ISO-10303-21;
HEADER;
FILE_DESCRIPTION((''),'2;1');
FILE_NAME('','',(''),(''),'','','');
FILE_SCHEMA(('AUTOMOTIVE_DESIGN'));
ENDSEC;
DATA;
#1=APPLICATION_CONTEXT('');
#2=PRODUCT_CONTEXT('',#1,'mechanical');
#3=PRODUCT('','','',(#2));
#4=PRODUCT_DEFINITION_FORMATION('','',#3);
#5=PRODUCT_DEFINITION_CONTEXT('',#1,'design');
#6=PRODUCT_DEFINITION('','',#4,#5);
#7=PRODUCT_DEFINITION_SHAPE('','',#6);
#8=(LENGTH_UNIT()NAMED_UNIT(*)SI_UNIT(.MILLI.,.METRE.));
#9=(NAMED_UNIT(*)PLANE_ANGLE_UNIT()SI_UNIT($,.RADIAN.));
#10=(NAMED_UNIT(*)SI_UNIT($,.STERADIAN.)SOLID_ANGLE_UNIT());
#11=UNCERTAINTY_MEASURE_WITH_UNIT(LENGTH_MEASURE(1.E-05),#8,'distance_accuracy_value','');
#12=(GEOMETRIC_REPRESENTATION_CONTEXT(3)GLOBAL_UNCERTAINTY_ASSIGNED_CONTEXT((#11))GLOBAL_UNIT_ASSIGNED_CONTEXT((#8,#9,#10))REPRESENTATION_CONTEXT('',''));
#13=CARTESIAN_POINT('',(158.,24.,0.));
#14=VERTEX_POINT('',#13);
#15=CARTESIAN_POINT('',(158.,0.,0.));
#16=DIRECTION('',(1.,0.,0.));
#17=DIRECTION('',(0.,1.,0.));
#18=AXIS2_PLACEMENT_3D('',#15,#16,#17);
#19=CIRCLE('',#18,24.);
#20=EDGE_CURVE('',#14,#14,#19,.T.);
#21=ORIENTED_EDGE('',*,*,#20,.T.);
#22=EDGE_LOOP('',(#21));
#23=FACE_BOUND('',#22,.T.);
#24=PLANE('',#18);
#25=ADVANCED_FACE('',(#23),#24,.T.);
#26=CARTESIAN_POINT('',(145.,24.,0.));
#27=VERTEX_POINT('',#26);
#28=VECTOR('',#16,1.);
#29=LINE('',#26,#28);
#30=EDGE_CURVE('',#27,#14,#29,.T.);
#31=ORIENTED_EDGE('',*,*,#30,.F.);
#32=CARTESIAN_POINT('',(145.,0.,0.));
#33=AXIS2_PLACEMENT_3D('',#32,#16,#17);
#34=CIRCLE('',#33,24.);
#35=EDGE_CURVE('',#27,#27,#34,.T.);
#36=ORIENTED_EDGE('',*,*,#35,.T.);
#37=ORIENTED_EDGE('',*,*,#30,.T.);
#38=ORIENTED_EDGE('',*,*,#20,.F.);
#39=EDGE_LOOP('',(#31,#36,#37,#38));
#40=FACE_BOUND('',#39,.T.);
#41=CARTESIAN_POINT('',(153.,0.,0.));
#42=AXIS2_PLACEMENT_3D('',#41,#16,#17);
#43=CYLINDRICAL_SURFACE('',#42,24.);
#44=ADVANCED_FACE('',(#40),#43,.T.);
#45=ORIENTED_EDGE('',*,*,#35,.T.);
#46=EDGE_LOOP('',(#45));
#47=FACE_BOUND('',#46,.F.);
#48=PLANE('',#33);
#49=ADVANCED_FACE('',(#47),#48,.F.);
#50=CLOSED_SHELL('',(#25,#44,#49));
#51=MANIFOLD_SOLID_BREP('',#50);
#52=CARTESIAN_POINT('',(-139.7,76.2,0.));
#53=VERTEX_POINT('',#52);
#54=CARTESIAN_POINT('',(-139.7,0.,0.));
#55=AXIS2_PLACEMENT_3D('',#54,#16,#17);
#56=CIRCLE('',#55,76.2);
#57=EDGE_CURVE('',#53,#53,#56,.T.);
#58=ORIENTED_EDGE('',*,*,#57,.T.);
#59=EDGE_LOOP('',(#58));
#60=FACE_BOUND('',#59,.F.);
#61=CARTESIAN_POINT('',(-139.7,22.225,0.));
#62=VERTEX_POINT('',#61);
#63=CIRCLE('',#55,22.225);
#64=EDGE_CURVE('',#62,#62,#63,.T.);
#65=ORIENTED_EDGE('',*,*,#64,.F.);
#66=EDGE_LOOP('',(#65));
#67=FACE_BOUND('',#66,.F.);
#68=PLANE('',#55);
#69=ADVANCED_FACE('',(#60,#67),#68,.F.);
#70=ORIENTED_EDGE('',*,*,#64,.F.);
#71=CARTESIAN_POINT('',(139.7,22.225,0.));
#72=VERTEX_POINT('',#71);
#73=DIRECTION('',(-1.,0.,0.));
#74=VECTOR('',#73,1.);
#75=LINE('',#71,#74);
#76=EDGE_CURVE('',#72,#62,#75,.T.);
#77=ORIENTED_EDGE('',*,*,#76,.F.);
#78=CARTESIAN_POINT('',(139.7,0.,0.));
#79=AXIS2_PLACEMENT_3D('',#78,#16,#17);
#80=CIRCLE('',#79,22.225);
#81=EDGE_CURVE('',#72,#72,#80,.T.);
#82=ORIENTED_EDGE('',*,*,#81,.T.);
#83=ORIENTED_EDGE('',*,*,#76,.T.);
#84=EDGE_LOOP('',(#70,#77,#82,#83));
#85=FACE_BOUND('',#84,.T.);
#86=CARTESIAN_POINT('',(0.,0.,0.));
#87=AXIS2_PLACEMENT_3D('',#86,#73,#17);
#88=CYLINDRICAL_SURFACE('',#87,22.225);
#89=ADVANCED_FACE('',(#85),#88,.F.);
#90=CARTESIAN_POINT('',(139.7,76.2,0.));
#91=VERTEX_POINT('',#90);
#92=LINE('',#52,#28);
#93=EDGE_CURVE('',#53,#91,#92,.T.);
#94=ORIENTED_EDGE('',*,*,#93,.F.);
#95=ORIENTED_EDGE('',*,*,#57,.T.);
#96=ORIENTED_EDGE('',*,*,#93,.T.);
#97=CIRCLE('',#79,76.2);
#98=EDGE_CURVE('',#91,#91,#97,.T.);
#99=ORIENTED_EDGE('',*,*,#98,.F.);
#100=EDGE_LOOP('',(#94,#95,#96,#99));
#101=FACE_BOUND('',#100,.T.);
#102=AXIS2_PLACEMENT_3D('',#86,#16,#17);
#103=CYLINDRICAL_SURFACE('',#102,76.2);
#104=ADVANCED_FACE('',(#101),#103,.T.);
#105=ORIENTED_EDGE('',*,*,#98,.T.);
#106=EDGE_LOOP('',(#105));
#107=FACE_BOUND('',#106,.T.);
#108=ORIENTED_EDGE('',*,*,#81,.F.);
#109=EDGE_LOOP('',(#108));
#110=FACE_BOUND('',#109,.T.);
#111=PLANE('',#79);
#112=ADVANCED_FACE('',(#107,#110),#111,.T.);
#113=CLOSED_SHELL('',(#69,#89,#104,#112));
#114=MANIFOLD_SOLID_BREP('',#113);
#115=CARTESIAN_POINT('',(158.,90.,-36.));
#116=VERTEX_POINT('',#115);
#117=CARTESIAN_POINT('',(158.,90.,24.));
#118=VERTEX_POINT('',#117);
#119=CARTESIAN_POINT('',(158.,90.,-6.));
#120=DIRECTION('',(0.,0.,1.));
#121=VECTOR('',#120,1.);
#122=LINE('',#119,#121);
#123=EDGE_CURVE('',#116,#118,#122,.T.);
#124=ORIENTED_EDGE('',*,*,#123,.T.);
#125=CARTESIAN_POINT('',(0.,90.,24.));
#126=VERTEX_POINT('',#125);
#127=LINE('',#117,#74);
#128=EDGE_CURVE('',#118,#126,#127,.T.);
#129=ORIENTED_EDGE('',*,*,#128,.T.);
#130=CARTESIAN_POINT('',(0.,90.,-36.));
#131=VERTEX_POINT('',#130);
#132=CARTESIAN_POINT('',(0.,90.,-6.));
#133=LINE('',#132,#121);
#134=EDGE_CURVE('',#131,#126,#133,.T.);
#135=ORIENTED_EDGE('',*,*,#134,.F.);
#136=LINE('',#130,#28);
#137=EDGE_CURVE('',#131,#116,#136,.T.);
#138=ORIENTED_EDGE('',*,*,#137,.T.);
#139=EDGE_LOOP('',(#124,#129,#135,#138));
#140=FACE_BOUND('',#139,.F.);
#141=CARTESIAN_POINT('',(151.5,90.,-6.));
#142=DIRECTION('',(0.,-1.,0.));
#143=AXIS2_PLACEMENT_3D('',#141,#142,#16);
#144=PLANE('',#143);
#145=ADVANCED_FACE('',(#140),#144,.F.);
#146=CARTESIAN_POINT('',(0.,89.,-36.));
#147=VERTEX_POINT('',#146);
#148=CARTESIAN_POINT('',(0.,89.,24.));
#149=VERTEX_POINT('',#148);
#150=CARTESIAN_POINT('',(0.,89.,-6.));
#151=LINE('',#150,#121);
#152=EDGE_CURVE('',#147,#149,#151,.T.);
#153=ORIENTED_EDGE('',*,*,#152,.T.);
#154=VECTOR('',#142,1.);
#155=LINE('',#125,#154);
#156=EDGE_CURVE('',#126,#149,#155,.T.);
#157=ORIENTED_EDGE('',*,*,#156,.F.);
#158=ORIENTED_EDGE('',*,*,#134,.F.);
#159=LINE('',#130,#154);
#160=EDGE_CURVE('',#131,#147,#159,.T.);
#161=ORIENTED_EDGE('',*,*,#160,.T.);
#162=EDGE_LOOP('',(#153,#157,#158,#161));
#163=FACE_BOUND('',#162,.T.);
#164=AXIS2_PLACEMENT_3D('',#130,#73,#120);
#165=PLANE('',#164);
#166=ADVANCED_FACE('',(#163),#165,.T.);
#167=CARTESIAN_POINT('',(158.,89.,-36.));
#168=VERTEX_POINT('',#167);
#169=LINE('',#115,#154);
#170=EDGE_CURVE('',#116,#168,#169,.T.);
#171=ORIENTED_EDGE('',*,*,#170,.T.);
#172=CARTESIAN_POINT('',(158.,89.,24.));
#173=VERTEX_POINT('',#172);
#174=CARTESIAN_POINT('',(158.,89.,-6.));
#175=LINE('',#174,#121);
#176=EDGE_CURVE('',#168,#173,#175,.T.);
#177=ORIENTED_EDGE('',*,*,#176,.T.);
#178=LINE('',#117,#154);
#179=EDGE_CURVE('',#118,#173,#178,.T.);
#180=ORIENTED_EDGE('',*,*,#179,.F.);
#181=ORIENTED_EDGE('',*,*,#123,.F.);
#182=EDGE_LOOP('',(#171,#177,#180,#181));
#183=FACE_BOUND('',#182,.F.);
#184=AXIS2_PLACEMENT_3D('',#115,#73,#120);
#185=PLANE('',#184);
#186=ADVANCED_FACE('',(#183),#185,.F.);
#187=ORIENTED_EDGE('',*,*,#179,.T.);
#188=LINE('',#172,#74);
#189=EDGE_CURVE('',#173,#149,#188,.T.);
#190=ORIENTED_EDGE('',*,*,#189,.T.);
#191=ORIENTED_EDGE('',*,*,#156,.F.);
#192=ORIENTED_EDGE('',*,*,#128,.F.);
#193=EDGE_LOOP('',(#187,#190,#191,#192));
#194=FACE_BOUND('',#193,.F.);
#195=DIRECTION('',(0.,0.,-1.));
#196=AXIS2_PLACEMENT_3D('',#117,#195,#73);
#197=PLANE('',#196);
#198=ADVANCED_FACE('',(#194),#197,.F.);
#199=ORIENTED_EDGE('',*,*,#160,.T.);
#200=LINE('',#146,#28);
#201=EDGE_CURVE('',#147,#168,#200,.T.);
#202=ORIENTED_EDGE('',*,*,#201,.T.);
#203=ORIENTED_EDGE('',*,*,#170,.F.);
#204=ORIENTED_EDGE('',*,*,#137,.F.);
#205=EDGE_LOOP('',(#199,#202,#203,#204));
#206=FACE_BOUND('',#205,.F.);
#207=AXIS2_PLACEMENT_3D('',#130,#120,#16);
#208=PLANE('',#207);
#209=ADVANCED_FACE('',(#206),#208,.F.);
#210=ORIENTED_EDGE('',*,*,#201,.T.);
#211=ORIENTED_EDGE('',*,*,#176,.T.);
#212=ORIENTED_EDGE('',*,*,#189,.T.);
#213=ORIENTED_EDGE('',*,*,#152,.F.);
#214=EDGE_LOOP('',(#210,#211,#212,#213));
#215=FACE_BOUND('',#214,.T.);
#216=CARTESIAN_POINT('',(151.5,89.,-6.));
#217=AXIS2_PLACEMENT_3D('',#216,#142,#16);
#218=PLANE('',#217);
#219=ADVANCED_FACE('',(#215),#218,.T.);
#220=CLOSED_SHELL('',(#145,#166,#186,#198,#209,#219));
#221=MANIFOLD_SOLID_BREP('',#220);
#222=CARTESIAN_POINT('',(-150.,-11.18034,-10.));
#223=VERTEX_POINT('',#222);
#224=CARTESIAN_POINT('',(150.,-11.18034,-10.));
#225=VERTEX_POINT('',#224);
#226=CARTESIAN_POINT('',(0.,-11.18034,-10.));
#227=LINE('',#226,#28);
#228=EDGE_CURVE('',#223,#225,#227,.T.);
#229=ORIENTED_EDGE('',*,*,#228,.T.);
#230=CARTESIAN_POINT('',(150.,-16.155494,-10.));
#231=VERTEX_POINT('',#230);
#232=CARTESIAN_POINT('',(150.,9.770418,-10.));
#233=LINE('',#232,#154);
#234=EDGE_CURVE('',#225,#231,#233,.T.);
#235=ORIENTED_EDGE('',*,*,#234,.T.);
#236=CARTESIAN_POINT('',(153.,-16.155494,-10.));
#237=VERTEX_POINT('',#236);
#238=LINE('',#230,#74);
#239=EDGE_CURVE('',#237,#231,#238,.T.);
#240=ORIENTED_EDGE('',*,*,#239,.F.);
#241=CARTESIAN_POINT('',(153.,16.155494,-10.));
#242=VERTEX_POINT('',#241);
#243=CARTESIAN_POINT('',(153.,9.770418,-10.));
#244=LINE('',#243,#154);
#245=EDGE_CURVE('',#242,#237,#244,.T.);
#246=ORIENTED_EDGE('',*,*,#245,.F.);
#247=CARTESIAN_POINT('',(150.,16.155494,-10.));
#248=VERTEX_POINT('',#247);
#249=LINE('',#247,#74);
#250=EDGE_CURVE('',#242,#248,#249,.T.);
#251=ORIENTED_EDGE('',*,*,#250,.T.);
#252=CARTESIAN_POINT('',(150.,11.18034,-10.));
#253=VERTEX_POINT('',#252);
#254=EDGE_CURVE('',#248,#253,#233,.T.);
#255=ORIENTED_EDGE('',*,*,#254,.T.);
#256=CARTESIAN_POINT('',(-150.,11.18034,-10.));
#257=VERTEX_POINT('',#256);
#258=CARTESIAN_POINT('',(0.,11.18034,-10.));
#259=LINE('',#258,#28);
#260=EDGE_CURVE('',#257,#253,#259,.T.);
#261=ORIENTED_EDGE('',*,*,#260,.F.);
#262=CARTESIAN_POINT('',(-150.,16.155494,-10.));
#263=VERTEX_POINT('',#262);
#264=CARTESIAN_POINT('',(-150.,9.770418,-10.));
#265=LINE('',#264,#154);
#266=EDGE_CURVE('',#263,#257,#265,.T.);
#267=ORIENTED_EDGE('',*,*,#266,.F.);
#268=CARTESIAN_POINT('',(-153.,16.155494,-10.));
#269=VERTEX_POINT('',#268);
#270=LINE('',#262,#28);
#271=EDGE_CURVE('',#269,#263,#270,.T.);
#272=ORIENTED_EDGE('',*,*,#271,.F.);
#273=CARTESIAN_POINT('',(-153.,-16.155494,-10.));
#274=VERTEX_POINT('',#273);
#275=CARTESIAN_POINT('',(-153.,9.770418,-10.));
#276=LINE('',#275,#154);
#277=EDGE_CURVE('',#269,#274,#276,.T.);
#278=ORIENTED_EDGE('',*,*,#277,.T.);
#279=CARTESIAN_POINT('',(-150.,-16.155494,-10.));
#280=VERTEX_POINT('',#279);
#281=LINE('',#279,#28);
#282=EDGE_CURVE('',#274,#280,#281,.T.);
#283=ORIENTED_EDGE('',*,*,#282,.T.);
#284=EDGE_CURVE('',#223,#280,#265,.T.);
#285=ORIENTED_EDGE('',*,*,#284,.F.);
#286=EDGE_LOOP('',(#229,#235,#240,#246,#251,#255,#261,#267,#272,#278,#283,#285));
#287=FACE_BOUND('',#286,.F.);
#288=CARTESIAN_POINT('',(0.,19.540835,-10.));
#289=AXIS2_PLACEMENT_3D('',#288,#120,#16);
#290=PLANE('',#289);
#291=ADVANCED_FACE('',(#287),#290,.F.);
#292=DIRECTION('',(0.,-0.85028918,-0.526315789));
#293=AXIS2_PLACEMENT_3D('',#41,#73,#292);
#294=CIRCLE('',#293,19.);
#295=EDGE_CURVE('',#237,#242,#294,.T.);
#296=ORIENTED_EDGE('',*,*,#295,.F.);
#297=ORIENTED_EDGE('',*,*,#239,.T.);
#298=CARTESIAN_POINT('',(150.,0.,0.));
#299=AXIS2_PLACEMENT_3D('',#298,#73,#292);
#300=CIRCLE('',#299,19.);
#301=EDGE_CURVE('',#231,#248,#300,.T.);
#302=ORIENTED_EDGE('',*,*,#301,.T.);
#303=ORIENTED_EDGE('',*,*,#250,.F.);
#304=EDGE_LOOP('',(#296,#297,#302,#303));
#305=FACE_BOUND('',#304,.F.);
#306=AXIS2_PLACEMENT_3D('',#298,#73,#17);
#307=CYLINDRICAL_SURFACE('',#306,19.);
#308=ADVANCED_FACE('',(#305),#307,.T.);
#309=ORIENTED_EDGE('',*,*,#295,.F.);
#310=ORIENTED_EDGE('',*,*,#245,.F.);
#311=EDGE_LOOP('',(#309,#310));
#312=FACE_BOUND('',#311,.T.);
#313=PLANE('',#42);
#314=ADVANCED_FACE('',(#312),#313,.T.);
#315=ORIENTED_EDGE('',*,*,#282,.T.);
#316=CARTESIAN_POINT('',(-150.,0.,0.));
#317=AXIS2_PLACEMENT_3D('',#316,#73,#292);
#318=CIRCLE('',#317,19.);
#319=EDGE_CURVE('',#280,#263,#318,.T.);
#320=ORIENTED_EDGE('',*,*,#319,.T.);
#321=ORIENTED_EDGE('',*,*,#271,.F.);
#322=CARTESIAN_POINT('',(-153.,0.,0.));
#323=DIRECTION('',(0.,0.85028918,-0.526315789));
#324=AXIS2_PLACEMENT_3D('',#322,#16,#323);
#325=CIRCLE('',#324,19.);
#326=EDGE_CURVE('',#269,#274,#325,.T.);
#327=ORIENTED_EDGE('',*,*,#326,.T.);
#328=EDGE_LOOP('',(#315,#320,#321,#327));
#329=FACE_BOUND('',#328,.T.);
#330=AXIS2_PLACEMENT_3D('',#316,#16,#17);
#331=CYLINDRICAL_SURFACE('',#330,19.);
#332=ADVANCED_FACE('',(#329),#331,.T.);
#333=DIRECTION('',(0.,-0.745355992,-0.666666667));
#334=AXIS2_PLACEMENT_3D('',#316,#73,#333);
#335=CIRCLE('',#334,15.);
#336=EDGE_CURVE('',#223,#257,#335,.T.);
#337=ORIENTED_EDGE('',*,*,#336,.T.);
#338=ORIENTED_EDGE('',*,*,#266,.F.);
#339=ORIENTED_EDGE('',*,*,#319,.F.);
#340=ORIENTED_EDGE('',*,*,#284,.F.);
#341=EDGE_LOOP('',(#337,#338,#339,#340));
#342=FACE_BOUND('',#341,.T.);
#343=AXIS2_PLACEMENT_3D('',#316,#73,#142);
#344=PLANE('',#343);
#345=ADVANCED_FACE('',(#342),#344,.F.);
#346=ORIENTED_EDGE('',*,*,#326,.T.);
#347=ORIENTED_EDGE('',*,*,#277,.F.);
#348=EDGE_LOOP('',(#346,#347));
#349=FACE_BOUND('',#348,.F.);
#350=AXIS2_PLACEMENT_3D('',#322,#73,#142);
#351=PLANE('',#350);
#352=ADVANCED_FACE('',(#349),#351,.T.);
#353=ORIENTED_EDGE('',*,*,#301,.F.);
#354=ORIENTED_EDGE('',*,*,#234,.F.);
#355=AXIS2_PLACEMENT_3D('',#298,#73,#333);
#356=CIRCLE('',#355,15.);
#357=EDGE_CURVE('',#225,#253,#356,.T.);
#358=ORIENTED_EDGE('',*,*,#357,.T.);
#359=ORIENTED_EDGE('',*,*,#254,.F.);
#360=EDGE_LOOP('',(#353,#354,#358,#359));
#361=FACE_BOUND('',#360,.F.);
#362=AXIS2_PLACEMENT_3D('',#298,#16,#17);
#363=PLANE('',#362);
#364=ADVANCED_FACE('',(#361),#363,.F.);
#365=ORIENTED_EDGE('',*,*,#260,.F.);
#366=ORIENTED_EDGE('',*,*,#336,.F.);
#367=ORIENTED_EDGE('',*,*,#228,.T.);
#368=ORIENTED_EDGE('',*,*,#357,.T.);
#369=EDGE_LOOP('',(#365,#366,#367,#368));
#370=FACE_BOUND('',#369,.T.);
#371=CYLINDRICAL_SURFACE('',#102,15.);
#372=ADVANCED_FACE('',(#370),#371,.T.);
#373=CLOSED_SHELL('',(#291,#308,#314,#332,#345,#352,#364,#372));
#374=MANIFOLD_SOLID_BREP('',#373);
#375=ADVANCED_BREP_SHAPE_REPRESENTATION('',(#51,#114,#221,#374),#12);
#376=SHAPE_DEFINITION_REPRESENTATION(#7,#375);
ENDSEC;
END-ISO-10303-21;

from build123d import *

# Parameters (mm, degrees)
F0_R           = 76.2
F0_R_2         = 22.225
F1_DEPTH       = 139.7
F0_R_3         = 15
F2_DEPTH       = 150
F3_START       = 150
F0_R_4         = 19
F3_DEPTH       = 3
F6_W           = 431.7707419395
F6_H           = 281.149558723
F7_DEPTH       = 25
F9_W           = 13
F9_H           = 60
F9_W_2         = 3
F9_H_2         = 29
F9_W_3         = 145
F10_DEPTH      = 1
F11_R          = 24
F12_DEPTH      = 5
F12_DEPTH_BACK = 8


with BuildPart() as f1:
    # F0 (on Right) → F1 (new body, symmetric)
    with BuildSketch(Plane.YZ):
        Circle(F0_R)
        Circle(F0_R_2, mode=Mode.SUBTRACT)
    extrude(amount=F1_DEPTH, both=True)


with BuildPart() as f2:
    # F0 (on Right) → F2 (new body)
    with BuildSketch(Plane.YZ):
        Circle(F0_R_3)
    extrude(amount=F2_DEPTH)

    # F0 (on Right) → F3 (join)
    with BuildSketch(Plane.YZ.offset(F3_START)):
        Circle(F0_R_4)
        Circle(F0_R_3, mode=Mode.SUBTRACT)
        Circle(F0_R_3)
    extrude(amount=F3_DEPTH)

    # F4: F2 across face


with BuildPart() as f2_1:
    add(f2.part)
    add(f2.part.mirror(Plane.YZ))

    # F6 (on offset) → F7 (cut)
    with BuildSketch(Plane.XY.offset(-10)):
        with Locations((0, 19.5408351719)):
            Rectangle(F6_W, F6_H)
    extrude(amount=-F7_DEPTH, mode=Mode.SUBTRACT)


with BuildPart() as f10:
    # F9 (on offset) → F10 (new body)
    with BuildSketch(Plane.XZ.offset(-90)):
        with Locations((151.5, -6)):
            Rectangle(F9_W, F9_H)
        with Locations((151.5, 4.5)):
            Rectangle(F9_W_2, F9_H_2, mode=Mode.SUBTRACT)
        with Locations((151.5, 4.5)):
            Rectangle(F9_W_2, F9_H_2)
        with Locations((72.5, -6)):
            Rectangle(F9_W_3, F9_H)
    extrude(amount=F10_DEPTH)


with BuildPart() as f12:
    # F11 (on face) → F12 (new body, two sides)
    with BuildSketch(Plane.YZ.offset(153)) as f12_sk:
        Circle(F11_R)
        with BuildLine():
            ThreePointArc((-16.1554944214, -10), (0, 19), (16.1554944214, -10))
            Line((16.1554944214, -10), (-16.1554944214, -10))
        make_face(mode=Mode.SUBTRACT)
        with BuildLine():
            Line((-16.1554944214, -10), (16.1554944214, -10))
            ThreePointArc((16.1554944214, -10), (0, 19), (-16.1554944214, -10))
        make_face()
    extrude(amount=F12_DEPTH)
    extrude(f12_sk.sketch, amount=-F12_DEPTH_BACK)


solid = Compound([f1.part, f2_1.part, f10.part, f12.part])
